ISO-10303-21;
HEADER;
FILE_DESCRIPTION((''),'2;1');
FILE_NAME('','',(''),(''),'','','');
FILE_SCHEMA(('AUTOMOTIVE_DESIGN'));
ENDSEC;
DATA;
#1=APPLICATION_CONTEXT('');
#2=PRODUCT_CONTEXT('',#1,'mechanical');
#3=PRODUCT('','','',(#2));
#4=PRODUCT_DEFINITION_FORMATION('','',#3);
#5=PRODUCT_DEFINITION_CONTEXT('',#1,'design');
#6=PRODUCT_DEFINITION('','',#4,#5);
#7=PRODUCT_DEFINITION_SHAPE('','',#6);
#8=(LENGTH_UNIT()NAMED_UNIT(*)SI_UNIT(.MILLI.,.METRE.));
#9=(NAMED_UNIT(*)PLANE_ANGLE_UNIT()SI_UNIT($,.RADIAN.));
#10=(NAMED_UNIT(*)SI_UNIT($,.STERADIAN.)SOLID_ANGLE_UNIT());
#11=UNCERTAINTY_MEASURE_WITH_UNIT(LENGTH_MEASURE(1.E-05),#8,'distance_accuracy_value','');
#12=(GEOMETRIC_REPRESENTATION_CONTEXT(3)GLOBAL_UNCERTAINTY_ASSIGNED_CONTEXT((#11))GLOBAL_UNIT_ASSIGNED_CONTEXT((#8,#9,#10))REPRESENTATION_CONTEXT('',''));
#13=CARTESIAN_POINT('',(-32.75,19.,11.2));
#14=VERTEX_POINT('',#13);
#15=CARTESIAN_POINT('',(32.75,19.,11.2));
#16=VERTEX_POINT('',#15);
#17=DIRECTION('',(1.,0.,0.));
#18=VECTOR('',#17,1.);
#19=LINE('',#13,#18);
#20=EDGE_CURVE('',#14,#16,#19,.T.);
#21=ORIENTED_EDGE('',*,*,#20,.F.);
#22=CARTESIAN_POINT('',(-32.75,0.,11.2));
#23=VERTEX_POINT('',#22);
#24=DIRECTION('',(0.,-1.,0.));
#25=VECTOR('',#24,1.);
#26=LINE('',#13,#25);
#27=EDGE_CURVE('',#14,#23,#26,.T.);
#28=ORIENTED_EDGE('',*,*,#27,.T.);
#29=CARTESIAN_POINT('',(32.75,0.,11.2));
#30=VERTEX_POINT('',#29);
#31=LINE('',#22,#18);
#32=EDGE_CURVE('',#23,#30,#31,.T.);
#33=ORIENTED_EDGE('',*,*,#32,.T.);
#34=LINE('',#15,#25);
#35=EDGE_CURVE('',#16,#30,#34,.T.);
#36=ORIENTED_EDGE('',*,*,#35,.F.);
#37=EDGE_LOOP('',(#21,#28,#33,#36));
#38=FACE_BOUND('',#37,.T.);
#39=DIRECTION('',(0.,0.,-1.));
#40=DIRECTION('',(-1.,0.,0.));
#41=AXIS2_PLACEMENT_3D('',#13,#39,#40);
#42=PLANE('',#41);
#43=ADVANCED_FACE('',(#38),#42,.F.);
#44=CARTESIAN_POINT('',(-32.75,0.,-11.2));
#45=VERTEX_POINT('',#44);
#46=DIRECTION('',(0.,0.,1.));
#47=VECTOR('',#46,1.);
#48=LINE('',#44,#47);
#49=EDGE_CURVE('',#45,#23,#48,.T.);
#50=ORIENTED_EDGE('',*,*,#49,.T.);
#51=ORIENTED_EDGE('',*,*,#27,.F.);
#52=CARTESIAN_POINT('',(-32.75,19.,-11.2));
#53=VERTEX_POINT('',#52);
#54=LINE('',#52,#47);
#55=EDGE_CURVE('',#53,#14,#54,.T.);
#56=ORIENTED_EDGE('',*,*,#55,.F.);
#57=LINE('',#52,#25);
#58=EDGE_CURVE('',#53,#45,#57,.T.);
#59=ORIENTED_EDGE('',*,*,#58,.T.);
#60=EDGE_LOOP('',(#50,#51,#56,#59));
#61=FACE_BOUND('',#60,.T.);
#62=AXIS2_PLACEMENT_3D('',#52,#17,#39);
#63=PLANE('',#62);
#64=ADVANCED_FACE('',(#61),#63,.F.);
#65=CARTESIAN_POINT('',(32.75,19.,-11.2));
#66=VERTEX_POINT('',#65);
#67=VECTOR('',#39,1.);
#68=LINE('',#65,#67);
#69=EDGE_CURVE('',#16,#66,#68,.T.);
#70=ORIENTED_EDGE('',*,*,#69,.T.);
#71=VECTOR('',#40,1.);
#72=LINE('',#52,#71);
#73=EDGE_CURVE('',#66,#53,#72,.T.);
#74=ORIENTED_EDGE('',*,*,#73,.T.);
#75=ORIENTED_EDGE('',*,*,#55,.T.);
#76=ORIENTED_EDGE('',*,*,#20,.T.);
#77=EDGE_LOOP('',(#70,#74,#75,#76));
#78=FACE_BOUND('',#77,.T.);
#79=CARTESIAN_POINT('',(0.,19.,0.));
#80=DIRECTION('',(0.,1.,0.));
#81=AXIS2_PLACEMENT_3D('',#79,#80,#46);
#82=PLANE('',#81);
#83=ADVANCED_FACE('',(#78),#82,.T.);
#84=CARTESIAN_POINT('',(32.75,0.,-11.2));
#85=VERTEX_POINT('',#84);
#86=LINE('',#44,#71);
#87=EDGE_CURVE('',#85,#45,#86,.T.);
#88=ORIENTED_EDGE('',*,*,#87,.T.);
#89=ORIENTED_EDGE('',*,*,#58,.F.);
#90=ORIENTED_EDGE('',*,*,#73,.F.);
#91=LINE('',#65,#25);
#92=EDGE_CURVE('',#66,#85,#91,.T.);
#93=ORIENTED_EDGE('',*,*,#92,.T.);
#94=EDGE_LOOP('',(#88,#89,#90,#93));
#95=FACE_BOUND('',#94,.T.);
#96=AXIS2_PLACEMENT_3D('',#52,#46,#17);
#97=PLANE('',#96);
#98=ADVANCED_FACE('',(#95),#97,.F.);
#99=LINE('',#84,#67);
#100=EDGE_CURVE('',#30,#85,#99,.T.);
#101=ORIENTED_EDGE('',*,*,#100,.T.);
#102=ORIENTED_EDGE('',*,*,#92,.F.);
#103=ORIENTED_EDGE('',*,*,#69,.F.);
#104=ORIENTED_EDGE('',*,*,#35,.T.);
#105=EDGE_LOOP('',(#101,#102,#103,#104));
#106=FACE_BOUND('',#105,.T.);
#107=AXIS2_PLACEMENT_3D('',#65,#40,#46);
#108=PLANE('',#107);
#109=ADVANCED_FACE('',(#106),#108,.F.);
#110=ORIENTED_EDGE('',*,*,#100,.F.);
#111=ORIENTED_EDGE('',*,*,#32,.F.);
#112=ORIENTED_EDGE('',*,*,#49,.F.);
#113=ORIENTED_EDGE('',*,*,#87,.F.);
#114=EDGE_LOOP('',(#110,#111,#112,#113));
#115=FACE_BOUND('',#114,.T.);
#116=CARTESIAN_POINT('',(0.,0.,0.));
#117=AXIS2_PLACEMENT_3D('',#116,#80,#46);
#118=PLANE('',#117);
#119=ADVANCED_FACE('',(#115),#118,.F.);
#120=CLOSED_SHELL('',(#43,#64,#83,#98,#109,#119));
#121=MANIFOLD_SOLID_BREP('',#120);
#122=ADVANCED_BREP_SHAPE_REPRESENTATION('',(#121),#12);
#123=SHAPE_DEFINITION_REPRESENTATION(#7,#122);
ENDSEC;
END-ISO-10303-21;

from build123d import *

# Parameters (mm, degrees)
SKETCH_1_W      = 65.5
SKETCH_1_H      = 22.4
EXTRUDE_1_DEPTH = 19


with BuildPart() as part:
    # 草圖1 → 填料-伸長1 (new body)
    with BuildSketch(Plane(origin=(0, 0, 0), x_dir=(1, 0, 0), z_dir=(0, 1, 0))):
        Rectangle(SKETCH_1_W, SKETCH_1_H)
    extrude(amount=EXTRUDE_1_DEPTH)


solid = part.part
